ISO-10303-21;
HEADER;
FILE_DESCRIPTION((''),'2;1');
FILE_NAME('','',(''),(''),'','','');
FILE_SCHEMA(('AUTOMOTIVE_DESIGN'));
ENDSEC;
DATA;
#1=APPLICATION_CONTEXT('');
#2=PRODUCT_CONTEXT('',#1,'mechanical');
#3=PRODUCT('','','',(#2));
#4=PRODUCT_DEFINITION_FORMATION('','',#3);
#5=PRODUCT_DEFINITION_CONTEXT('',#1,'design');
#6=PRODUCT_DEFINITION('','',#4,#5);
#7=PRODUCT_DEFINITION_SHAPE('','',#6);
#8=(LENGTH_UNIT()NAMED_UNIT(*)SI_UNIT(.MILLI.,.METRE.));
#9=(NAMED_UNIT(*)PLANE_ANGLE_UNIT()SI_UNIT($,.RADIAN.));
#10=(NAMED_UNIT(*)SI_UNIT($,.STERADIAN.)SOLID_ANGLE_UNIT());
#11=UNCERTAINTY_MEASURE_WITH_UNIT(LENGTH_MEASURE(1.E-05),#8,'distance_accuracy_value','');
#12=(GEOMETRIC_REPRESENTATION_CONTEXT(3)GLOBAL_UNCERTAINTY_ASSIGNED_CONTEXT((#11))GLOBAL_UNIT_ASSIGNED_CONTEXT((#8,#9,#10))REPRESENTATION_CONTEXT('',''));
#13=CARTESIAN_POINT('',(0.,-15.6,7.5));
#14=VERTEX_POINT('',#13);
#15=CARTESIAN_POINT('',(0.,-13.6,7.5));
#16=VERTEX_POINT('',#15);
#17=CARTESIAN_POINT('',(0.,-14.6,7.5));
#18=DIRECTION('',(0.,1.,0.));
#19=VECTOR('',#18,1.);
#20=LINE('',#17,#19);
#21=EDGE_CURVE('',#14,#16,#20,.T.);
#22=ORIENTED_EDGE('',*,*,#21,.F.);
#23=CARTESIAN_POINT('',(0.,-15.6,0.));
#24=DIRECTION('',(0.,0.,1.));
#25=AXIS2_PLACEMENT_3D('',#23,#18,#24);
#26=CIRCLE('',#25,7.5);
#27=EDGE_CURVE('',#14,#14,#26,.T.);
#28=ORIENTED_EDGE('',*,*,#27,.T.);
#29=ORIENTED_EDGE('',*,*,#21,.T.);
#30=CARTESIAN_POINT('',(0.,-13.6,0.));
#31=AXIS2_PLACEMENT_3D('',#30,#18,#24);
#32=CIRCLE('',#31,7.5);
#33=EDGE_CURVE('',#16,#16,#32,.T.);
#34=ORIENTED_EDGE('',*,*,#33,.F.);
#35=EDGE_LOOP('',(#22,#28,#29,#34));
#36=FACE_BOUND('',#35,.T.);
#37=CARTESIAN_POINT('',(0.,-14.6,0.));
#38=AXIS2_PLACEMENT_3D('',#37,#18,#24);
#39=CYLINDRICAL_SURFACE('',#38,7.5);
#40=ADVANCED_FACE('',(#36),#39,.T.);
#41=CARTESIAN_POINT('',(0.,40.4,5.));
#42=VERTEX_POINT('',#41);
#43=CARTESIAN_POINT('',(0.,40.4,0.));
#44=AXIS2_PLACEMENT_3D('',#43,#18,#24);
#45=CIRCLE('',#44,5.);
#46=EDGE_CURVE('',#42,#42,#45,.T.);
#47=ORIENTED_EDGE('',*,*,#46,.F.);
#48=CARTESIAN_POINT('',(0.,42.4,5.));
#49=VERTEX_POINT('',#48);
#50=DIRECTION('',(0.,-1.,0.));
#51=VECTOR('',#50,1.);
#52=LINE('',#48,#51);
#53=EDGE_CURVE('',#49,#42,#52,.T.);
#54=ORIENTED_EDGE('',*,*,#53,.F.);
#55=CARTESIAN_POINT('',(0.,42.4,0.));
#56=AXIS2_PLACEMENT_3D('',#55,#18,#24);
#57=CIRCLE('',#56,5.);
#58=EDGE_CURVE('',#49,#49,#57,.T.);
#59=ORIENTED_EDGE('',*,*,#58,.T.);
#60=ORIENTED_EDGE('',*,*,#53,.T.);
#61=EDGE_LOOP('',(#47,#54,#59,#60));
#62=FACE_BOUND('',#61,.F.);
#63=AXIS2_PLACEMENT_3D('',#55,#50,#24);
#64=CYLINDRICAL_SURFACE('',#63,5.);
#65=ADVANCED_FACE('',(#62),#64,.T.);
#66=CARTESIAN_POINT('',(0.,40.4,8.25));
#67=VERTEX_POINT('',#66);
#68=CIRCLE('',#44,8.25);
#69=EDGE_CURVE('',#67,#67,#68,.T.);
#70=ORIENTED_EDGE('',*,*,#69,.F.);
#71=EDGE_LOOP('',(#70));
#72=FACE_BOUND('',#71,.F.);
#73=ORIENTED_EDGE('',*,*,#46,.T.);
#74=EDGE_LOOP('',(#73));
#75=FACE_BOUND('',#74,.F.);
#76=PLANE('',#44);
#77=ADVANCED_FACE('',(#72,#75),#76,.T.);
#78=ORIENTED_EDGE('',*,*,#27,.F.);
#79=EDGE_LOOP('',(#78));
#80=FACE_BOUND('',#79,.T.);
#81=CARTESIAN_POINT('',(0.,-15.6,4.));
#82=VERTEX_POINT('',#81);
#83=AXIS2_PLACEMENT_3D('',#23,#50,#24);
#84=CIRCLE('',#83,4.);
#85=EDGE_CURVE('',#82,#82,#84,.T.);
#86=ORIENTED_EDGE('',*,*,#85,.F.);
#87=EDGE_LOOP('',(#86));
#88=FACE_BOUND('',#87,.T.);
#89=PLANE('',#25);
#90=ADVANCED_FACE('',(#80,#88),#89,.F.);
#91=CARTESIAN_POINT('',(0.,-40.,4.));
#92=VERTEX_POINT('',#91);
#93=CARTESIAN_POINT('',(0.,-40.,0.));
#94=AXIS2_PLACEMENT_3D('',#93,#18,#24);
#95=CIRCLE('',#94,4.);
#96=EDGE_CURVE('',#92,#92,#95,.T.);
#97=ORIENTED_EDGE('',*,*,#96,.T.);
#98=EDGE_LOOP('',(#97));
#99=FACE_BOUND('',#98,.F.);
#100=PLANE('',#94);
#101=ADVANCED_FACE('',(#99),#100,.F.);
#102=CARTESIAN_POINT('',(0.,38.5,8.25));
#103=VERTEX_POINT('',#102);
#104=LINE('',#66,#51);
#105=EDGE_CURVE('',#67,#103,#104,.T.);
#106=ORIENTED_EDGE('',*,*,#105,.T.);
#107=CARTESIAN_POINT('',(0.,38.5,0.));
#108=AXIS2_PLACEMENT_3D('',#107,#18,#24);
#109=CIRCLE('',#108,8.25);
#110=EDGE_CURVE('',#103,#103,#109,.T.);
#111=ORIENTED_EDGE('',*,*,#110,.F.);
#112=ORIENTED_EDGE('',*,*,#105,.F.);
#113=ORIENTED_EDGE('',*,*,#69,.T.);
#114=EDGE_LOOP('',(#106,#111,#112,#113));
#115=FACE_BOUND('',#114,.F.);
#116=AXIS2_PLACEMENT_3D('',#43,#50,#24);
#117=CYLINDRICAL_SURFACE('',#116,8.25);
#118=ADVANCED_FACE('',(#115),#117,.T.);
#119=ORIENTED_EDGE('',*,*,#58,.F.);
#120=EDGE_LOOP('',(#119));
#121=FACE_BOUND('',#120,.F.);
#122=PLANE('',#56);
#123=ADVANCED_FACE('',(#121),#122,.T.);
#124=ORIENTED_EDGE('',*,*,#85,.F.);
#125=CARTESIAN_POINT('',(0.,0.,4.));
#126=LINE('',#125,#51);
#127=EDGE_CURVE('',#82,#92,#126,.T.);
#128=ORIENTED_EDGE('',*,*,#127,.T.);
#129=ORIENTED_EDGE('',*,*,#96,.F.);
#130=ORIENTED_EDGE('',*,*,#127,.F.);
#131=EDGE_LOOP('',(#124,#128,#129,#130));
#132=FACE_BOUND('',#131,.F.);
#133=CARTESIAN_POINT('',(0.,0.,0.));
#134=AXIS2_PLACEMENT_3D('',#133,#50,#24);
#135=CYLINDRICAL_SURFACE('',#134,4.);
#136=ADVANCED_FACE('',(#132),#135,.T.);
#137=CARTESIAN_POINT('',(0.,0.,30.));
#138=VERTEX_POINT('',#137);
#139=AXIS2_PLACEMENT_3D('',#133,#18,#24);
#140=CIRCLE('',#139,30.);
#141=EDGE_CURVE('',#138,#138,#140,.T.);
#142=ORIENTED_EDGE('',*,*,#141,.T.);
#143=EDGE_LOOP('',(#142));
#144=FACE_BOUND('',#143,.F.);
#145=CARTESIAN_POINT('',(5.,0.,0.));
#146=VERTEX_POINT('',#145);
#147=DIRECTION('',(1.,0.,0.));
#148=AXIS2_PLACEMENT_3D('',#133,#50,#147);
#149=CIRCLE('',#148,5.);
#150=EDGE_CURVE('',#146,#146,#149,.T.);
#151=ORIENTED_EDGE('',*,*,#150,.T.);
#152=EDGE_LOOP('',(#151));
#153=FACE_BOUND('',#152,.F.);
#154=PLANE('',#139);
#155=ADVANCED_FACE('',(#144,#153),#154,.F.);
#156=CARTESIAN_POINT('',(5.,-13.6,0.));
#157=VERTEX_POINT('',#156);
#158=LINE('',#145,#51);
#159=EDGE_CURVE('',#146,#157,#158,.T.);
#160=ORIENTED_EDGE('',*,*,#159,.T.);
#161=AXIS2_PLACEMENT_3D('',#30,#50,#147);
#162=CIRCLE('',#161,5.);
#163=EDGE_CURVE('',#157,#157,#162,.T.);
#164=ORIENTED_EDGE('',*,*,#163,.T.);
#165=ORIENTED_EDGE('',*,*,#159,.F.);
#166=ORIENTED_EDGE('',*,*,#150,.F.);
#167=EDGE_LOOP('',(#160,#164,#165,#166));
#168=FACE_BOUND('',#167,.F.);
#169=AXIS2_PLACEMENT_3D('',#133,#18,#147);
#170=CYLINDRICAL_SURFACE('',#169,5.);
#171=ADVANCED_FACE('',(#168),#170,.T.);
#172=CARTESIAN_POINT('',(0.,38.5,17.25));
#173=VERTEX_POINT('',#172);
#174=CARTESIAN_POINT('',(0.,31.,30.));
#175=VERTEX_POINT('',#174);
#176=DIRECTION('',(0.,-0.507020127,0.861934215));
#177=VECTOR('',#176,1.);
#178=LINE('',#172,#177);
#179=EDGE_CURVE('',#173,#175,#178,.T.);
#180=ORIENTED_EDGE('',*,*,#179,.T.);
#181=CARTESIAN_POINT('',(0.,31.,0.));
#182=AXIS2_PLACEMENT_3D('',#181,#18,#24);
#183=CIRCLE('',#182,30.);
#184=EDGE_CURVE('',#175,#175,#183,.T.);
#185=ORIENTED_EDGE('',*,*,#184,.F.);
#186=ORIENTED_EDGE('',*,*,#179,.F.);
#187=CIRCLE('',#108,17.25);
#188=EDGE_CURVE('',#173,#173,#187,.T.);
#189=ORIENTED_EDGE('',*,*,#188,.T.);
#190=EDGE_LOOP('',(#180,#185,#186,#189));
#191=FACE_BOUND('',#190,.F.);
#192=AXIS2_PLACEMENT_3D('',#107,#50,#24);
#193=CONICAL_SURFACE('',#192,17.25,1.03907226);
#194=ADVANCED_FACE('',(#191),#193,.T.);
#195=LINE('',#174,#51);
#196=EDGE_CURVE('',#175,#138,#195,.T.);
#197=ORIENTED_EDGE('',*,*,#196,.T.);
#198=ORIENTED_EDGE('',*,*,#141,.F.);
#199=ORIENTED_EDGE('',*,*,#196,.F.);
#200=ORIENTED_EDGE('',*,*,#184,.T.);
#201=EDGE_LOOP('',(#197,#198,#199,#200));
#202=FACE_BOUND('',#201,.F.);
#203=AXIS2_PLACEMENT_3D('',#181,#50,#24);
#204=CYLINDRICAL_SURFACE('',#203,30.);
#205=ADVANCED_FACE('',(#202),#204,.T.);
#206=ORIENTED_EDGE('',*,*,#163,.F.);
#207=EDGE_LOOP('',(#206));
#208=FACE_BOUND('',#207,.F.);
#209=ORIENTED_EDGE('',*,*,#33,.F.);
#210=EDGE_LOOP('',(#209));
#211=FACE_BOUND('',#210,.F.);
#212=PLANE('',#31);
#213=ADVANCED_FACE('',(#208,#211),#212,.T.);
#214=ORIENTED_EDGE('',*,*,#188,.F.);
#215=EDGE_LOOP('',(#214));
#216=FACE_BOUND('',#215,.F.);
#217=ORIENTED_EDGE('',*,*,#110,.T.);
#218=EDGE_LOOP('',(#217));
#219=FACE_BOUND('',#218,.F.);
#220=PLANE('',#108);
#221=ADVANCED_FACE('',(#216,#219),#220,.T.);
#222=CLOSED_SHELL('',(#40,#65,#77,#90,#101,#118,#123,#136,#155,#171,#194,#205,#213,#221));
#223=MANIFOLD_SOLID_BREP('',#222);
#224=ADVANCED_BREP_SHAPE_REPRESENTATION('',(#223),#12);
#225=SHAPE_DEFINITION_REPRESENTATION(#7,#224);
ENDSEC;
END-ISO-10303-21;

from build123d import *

# Parameters (mm, degrees)
F2_R     = 5
F3_DEPTH = 13.6
F4_W     = 2
F4_H     = 7.5


with BuildPart() as f1:
    # F0 (on Right) → F1 (revolve)
    with BuildSketch(Plane.YZ):
        Polygon((-40, 4), (-40, 0), (42.4, 0), (42.4, 5), (40.4, 5), (40.4, 8.25), (38.5, 8.25), (38.5, 17.25), (31, 30), (0, 30), (0, 4), align=None)
    revolve(axis=Axis((0, 1.2, 0), (0, 1, 0)))

    # F2 (on face) → F3 (join)
    with BuildSketch(Plane.XZ):
        Circle(F2_R)
    extrude(amount=F3_DEPTH)

    # F4 (on Right) → F5 (revolve)
    with BuildSketch(Plane.YZ):
        with Locations((-14.6, 3.75)):
            Rectangle(F4_W, F4_H)
    revolve(axis=Axis((0, -14.6, 0), (0, 1, 0)))


solid = f1.part
